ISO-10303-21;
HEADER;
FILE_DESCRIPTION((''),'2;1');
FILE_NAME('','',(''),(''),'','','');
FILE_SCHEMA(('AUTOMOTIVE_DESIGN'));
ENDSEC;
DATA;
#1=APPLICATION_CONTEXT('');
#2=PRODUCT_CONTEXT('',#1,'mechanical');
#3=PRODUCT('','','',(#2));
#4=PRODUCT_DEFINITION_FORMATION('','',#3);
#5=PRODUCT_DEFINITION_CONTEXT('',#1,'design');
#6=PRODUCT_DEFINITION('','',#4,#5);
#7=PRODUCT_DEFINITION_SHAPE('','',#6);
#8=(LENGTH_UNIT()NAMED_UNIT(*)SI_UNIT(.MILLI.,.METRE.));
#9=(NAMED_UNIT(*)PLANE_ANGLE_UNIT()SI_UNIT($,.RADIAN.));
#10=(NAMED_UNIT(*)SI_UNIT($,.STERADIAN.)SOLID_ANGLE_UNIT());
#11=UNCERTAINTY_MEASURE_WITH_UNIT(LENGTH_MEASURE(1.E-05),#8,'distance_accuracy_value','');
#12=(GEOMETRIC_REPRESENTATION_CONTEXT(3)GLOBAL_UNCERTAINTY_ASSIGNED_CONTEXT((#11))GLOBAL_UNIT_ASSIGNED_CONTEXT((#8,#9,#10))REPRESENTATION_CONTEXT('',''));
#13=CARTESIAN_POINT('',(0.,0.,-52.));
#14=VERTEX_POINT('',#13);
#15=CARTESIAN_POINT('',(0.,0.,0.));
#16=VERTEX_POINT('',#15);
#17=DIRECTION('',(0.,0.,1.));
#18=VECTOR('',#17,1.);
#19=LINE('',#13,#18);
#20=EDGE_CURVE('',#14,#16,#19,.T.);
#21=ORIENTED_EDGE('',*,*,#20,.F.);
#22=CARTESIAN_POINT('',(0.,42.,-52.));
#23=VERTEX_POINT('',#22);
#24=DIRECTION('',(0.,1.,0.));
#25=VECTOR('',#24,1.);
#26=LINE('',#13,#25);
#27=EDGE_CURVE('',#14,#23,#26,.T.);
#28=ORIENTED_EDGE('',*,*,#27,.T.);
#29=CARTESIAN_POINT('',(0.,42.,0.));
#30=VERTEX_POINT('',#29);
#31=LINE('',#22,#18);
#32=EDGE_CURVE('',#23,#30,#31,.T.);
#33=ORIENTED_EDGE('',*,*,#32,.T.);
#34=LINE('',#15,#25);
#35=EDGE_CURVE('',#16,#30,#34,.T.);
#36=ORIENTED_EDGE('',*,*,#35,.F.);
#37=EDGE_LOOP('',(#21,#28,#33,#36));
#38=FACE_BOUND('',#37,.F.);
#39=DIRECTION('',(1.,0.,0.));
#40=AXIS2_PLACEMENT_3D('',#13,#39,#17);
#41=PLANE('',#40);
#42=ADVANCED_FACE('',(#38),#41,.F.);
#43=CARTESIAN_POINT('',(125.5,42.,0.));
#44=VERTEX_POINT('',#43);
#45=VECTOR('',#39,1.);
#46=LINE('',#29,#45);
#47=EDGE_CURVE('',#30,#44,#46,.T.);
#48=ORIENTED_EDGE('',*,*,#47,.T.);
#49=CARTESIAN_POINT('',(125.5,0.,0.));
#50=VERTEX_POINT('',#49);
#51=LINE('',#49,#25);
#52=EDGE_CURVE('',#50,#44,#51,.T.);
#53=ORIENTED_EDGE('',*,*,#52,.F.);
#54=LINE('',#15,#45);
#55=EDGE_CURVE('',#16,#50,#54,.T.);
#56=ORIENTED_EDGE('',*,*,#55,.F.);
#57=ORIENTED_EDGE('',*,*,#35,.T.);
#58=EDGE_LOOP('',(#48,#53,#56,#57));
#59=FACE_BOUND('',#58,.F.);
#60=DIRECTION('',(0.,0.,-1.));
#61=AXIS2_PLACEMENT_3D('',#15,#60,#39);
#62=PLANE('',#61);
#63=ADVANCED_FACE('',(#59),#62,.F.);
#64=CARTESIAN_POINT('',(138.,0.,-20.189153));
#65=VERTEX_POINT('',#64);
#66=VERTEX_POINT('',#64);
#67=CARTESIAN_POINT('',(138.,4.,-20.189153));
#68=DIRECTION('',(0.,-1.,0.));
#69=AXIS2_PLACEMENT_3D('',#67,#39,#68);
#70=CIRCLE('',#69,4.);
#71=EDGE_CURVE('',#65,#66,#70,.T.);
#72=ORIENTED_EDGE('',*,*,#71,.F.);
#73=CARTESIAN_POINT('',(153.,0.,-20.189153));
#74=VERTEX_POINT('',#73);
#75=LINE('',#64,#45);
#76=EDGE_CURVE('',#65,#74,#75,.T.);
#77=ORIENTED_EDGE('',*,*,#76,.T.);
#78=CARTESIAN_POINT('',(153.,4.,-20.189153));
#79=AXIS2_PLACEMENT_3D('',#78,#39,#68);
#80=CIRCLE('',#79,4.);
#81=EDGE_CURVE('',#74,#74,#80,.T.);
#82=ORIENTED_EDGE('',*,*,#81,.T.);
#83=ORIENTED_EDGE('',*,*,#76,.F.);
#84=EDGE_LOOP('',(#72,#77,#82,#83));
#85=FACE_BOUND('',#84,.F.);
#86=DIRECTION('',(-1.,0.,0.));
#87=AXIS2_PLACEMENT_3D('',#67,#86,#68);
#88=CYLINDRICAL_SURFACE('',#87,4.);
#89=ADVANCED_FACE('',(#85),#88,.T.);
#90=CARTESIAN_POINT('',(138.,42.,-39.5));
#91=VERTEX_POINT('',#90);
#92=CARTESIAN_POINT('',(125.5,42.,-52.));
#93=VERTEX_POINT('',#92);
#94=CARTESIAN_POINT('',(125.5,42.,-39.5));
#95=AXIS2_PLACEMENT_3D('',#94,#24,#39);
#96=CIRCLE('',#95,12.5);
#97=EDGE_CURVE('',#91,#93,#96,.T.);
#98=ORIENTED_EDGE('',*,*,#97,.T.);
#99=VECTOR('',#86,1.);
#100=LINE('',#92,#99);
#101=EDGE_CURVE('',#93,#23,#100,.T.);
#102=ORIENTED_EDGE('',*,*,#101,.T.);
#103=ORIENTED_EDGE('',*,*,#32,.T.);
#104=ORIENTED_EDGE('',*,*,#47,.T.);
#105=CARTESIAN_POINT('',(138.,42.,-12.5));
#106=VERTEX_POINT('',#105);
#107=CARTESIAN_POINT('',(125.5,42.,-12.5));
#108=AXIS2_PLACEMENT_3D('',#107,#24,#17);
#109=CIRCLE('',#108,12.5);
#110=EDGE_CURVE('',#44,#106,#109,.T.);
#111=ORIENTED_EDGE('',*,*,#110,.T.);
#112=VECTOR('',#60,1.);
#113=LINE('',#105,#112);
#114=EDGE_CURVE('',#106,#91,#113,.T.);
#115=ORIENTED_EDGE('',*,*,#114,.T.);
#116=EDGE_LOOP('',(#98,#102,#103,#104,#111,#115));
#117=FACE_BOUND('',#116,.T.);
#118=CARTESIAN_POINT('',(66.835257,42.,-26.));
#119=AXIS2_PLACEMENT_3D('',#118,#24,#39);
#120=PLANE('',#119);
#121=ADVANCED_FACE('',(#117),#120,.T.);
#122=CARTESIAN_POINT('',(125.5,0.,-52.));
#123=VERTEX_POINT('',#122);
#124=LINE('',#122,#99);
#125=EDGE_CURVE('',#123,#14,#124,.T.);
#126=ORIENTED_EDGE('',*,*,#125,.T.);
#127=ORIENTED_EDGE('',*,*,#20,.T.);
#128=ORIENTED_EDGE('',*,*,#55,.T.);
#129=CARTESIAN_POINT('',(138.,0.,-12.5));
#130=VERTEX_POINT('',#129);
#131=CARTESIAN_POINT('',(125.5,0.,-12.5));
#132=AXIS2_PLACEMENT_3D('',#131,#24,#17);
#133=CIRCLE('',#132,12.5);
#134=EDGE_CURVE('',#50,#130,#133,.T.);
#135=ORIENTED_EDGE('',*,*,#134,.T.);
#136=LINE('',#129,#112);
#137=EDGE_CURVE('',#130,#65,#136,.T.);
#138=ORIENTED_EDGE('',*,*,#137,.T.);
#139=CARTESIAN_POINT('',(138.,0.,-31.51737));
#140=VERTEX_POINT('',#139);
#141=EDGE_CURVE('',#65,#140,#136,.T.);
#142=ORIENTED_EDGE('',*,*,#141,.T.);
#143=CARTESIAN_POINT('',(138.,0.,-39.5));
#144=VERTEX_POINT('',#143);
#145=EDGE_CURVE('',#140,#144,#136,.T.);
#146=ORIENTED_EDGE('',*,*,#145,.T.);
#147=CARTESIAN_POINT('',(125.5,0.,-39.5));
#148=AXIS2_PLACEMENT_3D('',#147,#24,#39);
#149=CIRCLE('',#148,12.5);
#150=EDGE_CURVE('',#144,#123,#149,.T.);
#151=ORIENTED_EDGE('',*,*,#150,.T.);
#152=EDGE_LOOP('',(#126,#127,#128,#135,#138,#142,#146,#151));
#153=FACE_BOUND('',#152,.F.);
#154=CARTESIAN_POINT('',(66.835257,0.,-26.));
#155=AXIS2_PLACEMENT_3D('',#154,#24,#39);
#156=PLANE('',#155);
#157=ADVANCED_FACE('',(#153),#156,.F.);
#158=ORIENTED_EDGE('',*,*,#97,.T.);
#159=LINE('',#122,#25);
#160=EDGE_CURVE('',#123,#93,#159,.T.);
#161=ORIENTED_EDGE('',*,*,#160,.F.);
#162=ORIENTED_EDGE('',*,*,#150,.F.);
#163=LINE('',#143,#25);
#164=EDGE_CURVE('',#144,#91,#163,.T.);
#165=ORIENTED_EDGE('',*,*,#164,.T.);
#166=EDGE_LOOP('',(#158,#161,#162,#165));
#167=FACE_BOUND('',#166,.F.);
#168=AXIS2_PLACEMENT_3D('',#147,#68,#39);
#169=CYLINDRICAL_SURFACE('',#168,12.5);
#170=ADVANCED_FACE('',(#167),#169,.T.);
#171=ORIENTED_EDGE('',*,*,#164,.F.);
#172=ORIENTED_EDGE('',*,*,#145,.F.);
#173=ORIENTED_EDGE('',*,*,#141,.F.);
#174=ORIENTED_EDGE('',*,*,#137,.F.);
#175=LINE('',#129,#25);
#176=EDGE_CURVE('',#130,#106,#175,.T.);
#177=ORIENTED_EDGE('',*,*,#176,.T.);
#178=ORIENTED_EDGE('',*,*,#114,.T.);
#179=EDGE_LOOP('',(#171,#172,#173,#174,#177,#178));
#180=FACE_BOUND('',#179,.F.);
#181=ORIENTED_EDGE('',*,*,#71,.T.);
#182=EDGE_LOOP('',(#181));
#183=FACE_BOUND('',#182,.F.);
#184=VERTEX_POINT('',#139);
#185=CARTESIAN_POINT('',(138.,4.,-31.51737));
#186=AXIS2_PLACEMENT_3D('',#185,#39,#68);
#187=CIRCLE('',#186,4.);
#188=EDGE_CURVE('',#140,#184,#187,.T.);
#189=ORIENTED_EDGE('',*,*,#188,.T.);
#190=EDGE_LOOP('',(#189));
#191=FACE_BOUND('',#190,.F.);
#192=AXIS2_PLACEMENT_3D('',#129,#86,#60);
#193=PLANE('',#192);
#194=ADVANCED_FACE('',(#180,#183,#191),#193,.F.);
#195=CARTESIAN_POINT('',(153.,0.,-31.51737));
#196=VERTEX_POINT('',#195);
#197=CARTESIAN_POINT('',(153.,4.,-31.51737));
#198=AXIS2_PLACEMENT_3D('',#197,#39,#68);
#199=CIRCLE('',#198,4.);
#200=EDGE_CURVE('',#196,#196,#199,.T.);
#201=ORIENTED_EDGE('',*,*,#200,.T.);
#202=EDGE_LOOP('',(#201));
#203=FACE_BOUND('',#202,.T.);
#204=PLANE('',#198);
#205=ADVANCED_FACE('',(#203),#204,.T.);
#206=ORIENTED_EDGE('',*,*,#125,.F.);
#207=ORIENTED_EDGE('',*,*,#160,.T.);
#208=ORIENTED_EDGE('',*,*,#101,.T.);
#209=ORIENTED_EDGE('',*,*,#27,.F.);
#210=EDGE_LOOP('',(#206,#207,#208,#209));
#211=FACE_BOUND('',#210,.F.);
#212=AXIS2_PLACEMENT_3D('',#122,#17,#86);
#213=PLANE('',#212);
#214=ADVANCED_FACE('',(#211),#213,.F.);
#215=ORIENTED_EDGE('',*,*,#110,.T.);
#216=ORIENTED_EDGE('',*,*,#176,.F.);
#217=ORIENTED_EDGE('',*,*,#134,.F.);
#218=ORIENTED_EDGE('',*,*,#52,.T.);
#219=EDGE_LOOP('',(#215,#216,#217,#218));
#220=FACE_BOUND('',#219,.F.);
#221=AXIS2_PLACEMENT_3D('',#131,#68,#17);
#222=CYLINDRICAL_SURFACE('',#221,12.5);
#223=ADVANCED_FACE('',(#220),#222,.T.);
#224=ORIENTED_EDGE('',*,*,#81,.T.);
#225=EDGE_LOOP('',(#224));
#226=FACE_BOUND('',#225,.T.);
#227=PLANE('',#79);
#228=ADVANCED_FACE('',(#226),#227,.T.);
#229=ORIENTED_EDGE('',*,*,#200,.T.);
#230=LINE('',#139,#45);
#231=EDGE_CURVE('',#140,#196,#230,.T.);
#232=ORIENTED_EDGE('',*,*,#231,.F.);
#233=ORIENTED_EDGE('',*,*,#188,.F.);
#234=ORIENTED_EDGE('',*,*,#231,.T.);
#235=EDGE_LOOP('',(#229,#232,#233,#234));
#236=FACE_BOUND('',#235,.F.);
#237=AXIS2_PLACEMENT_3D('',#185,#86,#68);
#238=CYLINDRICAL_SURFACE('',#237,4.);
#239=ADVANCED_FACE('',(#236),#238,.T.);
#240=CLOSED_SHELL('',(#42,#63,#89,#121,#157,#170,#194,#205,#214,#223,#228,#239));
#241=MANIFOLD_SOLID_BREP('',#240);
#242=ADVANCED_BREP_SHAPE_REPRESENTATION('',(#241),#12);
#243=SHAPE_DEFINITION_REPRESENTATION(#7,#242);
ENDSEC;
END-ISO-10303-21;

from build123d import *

# Parameters (mm, degrees)
SALIENTE_EXTRUIR1_DEPTH = 42
CROQUIS7_R              = 4
SALIENTE_EXTRUIR2_DEPTH = 15


with BuildPart() as part:
    # Croquis1 → Saliente-Extruir1 (new body)
    with BuildSketch(Plane(origin=(0, 0, 0), x_dir=(1, 0, 0), z_dir=(0, 1, 0))):
        with BuildLine():
            Line((0, 0), (125.5, 0))
            ThreePointArc((125.5, 0), (134.338834765, 3.661165235), (138, 12.5))
            Line((138, 12.5), (138, 39.5))
            ThreePointArc((138, 39.5), (134.338834765, 48.338834765), (125.5, 52))
            Line((125.5, 52), (0, 52))
            Line((0, 52), (0, 0))
        make_face()
    extrude(amount=SALIENTE_EXTRUIR1_DEPTH)

    # Croquis7 → Saliente-Extruir2 (add)
    with BuildSketch(Plane(origin=(138, 0, 0), x_dir=(0, 0, -1), z_dir=(1, 0, 0))):
        with Locations((20.189152703, 4)):
            Circle(CROQUIS7_R)
        with Locations((31.517370161, 4)):
            Circle(CROQUIS7_R)
    extrude(amount=SALIENTE_EXTRUIR2_DEPTH)


solid = part.part
